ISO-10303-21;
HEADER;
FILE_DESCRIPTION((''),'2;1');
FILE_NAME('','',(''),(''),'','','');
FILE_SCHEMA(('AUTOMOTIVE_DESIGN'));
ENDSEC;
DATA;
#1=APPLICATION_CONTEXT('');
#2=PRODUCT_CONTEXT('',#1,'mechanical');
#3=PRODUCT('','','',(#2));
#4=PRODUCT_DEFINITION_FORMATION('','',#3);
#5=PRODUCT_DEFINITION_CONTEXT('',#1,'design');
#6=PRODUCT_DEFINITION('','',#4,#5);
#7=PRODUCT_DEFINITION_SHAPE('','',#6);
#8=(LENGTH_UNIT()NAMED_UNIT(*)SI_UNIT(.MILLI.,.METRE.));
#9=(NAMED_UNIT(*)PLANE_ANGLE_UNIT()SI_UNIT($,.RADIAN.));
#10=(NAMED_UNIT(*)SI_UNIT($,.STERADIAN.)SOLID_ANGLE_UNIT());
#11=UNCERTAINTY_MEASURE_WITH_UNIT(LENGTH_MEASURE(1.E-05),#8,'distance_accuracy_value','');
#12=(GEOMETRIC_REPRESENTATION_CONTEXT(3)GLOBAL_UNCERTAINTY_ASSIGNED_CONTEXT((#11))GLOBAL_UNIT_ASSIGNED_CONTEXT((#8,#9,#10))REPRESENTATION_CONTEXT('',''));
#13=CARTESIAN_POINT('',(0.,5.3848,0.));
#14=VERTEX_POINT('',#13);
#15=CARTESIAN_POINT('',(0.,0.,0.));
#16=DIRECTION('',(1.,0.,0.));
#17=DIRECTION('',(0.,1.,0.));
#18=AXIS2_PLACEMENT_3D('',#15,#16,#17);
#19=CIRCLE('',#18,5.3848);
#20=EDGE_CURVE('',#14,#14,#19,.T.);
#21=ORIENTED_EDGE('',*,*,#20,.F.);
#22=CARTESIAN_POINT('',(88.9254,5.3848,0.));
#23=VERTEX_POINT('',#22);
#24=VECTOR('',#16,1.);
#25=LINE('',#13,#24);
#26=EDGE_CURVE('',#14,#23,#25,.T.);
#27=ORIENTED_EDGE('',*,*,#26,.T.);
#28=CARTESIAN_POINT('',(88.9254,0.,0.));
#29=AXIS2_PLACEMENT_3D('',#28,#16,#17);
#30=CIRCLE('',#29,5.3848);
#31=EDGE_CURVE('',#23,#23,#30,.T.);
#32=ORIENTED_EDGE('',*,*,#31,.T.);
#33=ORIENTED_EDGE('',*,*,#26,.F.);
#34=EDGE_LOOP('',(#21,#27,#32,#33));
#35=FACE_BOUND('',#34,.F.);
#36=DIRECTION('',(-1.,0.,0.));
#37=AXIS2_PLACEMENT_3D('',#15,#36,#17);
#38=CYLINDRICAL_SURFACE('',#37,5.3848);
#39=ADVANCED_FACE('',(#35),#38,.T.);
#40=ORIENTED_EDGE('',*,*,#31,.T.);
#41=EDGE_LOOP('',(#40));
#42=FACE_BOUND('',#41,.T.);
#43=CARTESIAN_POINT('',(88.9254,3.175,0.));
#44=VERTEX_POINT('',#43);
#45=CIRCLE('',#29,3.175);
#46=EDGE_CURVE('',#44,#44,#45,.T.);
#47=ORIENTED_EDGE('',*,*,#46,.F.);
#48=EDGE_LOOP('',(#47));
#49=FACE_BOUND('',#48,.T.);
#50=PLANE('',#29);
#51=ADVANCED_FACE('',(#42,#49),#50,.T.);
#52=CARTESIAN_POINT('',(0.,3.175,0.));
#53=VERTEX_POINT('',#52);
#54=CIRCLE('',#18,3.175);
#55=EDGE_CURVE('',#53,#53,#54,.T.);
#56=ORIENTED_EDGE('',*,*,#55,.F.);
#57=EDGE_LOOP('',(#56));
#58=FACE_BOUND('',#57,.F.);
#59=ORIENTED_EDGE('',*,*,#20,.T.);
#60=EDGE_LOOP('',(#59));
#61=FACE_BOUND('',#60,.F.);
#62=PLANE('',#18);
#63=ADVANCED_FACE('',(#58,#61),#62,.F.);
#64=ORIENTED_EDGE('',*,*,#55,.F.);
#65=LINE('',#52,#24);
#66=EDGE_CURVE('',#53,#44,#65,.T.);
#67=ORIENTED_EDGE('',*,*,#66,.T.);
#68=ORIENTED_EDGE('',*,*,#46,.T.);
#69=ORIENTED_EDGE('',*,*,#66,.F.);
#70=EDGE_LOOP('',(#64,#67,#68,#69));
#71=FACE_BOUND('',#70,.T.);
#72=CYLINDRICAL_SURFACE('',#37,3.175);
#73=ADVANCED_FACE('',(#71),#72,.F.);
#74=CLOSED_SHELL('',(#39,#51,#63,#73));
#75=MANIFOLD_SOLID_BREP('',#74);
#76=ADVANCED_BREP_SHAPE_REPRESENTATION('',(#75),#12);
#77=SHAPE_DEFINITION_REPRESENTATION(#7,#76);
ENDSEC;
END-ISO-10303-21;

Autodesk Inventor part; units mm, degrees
ref_plane "YZ Plane" through (0, 0, 0) normal (1, 0, 0) x (0, 1, 0)
ref_plane "XZ Plane" through (0, 0, 0) normal (0, 1, 0) x (-1, 0, 0)
ref_plane "XY Plane" through (0, 0, 0) normal (0, 0, 1) x (1, 0, 0)
sketch "Sketch1" plane through (0, 0, 0) normal (1, 0, 0) x (0, 1, 0)
  circle A0 centre (0, 0) radius 3.175
  circle A1 centre (0, 0) radius 5.3848
  dimension "d0" = 6.35
  dimension "d1" = 2.2098
extrude "Extrusion1" add sketch "Sketch1" along normal blind 88.9254
properties part number "Standoffs Large"
